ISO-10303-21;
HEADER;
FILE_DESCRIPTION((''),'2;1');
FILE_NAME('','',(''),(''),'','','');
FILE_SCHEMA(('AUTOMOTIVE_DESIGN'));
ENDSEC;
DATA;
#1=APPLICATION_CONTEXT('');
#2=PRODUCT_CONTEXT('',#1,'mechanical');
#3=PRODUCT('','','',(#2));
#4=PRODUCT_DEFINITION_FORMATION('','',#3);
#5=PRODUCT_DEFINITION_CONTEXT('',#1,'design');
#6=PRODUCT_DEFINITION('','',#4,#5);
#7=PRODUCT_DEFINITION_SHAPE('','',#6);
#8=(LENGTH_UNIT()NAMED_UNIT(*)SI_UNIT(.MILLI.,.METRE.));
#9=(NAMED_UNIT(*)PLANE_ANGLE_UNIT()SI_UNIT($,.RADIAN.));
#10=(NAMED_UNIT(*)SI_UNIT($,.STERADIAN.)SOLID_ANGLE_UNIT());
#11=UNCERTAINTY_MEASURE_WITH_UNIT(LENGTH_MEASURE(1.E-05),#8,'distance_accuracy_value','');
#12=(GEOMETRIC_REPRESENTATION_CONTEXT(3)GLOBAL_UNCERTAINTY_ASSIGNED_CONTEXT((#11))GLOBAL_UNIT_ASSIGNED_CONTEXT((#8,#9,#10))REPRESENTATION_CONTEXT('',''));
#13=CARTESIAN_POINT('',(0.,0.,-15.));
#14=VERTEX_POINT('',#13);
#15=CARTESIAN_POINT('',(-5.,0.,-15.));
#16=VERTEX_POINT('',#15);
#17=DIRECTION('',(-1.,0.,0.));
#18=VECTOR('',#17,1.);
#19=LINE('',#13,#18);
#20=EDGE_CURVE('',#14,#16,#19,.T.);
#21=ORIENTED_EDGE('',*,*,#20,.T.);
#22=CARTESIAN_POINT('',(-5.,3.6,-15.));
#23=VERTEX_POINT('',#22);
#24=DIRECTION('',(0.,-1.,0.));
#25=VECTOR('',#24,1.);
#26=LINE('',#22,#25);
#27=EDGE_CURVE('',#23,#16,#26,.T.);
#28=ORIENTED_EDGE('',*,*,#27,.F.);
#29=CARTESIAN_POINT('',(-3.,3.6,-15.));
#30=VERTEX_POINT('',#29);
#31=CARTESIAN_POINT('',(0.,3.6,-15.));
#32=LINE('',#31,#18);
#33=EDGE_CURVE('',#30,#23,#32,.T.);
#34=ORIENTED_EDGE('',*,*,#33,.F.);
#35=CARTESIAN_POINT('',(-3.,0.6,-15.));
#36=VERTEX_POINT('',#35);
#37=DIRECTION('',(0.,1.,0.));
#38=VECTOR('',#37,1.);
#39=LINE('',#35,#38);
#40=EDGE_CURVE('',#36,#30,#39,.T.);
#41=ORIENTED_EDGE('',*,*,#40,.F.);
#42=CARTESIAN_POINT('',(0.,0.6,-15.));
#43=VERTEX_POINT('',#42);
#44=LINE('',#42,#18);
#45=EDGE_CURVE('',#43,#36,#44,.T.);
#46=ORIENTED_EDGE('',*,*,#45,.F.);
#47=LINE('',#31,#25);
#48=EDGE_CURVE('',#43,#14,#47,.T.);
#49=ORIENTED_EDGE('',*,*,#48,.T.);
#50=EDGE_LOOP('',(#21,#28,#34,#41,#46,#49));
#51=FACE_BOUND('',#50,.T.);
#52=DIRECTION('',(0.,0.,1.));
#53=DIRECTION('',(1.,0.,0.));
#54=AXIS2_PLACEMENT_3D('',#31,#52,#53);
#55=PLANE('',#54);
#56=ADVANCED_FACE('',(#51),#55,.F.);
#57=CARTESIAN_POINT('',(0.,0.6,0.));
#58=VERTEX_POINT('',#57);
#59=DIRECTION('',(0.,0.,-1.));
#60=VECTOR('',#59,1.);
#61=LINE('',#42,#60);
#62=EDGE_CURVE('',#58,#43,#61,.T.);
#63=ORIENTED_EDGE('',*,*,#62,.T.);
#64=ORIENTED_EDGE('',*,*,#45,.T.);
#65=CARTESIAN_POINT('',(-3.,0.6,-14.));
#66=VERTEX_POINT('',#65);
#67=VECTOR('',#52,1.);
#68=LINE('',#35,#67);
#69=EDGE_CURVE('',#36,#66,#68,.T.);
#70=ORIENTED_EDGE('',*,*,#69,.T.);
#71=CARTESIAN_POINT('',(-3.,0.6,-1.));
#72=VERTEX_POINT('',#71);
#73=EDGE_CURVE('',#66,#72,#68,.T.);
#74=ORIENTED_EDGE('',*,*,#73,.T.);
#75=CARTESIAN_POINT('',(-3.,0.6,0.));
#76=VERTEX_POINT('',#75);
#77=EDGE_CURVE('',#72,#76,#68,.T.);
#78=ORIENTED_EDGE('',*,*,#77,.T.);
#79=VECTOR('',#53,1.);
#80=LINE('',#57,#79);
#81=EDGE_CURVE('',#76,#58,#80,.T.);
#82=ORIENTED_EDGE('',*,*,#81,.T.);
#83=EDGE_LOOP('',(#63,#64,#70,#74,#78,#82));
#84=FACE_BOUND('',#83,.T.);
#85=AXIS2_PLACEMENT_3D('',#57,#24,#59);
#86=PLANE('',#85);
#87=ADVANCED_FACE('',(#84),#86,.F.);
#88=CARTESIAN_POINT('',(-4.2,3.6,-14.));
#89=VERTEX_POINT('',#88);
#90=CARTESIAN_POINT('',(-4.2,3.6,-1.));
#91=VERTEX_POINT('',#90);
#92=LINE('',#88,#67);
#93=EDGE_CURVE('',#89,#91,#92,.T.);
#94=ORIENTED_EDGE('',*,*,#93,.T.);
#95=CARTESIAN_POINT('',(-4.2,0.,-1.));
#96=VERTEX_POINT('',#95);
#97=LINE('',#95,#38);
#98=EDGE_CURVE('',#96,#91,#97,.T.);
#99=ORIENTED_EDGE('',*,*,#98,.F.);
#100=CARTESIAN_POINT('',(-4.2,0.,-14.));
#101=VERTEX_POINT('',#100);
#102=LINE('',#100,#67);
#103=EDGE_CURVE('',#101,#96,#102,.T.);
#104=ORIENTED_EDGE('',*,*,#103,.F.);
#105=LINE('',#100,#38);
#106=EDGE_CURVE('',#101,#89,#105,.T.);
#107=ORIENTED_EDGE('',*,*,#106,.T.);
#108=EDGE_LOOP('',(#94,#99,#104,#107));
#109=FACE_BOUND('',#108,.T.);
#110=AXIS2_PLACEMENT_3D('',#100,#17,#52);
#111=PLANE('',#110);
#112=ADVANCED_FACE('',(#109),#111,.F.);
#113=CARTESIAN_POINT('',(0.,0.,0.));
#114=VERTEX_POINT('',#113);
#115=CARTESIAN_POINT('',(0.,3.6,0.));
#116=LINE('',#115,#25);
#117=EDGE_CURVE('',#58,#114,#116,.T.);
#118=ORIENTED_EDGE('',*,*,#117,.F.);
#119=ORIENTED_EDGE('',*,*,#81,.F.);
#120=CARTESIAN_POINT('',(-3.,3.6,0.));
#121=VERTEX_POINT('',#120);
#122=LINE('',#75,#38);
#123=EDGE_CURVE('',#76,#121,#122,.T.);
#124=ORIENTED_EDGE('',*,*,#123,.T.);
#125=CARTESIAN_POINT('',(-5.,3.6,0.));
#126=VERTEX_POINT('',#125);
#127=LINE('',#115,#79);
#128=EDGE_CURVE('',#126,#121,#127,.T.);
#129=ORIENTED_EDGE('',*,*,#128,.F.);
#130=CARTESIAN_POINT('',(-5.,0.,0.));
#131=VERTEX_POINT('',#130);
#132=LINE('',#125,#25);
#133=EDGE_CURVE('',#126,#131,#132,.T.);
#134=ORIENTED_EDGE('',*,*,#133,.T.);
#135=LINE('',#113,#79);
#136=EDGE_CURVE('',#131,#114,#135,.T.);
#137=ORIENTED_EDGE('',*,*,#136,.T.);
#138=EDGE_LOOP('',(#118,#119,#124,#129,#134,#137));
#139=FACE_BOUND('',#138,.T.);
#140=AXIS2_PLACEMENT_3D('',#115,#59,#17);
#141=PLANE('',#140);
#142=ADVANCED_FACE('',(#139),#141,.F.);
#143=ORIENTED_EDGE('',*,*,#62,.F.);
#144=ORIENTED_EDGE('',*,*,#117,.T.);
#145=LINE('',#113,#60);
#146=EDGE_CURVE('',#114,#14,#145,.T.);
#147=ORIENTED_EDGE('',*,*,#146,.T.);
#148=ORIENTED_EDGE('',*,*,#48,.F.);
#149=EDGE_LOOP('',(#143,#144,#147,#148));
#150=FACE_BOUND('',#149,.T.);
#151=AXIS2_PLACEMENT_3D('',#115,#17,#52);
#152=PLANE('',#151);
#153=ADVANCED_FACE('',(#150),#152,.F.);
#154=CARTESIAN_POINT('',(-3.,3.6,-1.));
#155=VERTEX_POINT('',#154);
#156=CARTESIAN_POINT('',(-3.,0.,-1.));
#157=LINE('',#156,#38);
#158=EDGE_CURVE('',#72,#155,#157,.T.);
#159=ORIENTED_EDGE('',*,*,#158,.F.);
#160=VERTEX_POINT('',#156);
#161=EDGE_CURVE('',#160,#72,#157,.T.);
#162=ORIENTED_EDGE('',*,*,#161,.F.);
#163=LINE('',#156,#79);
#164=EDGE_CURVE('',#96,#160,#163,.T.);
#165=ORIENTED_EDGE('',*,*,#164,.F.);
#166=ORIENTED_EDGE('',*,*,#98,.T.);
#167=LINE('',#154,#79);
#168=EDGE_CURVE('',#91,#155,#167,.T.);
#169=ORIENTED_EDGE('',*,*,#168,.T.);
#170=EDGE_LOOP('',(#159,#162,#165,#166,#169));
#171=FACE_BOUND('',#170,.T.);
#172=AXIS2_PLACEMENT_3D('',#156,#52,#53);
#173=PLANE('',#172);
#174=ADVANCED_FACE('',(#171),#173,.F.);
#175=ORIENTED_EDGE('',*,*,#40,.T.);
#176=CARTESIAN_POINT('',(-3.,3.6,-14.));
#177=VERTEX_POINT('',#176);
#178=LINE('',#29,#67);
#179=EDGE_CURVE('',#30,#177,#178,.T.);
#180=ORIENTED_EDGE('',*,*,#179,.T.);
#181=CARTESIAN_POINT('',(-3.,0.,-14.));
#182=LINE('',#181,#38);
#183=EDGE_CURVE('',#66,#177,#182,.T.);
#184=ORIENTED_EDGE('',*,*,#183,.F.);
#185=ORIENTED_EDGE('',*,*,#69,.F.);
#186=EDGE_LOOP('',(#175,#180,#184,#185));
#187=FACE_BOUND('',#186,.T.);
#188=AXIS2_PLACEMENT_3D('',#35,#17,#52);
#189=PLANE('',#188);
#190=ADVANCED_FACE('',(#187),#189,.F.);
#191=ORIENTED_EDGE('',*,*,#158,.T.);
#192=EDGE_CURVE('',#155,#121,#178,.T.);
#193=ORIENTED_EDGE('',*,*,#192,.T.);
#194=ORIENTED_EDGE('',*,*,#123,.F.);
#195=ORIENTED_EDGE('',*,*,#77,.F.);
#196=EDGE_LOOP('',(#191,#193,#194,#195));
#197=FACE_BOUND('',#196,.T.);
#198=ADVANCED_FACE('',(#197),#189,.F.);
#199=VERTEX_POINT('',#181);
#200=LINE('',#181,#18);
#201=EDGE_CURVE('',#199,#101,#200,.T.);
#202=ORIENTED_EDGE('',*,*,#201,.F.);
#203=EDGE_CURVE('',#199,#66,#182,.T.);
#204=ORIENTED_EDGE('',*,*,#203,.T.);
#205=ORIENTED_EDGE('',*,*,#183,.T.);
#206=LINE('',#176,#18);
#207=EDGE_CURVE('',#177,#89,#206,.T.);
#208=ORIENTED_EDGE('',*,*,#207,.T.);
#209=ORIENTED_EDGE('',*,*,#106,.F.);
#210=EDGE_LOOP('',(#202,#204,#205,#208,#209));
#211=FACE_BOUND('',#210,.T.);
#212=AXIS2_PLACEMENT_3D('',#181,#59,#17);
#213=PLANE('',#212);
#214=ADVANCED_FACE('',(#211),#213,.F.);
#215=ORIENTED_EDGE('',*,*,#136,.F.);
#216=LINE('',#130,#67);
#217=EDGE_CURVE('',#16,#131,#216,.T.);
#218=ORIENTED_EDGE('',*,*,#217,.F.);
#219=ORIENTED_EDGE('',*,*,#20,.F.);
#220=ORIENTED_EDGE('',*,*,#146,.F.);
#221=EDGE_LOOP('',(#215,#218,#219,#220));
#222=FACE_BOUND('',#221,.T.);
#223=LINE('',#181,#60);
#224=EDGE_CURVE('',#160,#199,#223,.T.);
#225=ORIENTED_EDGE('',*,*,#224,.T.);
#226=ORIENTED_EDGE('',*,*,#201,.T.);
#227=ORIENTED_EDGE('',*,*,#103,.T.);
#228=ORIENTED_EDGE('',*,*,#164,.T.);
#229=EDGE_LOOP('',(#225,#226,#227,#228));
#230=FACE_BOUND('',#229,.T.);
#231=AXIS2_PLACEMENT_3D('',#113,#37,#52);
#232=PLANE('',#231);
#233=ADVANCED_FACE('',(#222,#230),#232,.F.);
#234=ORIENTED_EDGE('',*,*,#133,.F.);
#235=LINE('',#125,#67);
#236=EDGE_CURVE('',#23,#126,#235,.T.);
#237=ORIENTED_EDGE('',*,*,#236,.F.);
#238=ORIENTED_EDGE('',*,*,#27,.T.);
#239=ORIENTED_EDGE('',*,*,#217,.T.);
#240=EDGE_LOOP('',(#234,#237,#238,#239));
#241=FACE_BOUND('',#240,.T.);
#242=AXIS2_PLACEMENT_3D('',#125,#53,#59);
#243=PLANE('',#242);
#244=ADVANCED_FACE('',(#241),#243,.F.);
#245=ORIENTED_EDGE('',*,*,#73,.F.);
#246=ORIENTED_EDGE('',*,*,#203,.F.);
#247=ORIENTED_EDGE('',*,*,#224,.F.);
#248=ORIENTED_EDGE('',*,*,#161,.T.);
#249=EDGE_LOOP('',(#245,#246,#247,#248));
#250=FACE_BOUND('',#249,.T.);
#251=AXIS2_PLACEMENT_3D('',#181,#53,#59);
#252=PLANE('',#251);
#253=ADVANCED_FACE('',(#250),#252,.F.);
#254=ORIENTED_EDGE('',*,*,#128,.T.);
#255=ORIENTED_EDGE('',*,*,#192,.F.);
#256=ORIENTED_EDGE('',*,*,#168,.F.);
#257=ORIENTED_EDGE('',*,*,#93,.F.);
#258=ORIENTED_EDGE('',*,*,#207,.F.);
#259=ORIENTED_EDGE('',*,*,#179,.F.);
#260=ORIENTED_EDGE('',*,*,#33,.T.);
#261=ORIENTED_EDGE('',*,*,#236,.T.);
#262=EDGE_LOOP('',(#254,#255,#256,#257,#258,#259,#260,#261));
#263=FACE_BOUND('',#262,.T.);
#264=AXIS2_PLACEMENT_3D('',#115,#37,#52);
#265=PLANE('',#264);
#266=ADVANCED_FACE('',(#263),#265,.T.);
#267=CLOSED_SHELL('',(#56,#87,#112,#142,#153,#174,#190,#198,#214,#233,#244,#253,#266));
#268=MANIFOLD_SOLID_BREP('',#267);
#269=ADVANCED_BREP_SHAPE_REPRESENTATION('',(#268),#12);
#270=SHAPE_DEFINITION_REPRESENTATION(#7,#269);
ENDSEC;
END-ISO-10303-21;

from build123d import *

# Parameters (mm, degrees)
ESBO_O1_W                = 5
ESBO_O1_H                = 15
RESSALTO_EXTRUS_O1_DEPTH = 3.6
ESBO_O2_W                = 3
ESBO_O2_H                = 15
CORTE_EXTRUS_O2_DEPTH    = 3
ESBO_O3_W                = 1.2
ESBO_O3_H                = 13
CORTE_EXTRUS_O3_DEPTH    = 17.21604144


with BuildPart() as part:
    # Esboço1 → Ressalto-extrusão1 (new body)
    with BuildSketch(Plane(origin=(0, 0, 0), x_dir=(1, 0, 0), z_dir=(0, 1, 0))):
        with Locations((-2.5, 7.5)):
            Rectangle(ESBO_O1_W, ESBO_O1_H)
    extrude(amount=RESSALTO_EXTRUS_O1_DEPTH)

    # Esboço2 → Corte-extrusão2 (cut)
    with BuildSketch(Plane(origin=(0, 3.6, 0), x_dir=(1, 0, 0), z_dir=(0, 1, 0))):
        with Locations((-1.5, 7.5)):
            Rectangle(ESBO_O2_W, ESBO_O2_H)
    extrude(amount=-CORTE_EXTRUS_O2_DEPTH, mode=Mode.SUBTRACT)

    # Esboço3 → Corte-extrusão3 (cut, through all)
    with BuildSketch(Plane(origin=(0, 3.6, 0), x_dir=(1, 0, 0), z_dir=(0, 1, 0))):
        with Locations((-3.6, 7.5)):
            Rectangle(ESBO_O3_W, ESBO_O3_H)
    extrude(amount=-CORTE_EXTRUS_O3_DEPTH, mode=Mode.SUBTRACT)


solid = part.part
